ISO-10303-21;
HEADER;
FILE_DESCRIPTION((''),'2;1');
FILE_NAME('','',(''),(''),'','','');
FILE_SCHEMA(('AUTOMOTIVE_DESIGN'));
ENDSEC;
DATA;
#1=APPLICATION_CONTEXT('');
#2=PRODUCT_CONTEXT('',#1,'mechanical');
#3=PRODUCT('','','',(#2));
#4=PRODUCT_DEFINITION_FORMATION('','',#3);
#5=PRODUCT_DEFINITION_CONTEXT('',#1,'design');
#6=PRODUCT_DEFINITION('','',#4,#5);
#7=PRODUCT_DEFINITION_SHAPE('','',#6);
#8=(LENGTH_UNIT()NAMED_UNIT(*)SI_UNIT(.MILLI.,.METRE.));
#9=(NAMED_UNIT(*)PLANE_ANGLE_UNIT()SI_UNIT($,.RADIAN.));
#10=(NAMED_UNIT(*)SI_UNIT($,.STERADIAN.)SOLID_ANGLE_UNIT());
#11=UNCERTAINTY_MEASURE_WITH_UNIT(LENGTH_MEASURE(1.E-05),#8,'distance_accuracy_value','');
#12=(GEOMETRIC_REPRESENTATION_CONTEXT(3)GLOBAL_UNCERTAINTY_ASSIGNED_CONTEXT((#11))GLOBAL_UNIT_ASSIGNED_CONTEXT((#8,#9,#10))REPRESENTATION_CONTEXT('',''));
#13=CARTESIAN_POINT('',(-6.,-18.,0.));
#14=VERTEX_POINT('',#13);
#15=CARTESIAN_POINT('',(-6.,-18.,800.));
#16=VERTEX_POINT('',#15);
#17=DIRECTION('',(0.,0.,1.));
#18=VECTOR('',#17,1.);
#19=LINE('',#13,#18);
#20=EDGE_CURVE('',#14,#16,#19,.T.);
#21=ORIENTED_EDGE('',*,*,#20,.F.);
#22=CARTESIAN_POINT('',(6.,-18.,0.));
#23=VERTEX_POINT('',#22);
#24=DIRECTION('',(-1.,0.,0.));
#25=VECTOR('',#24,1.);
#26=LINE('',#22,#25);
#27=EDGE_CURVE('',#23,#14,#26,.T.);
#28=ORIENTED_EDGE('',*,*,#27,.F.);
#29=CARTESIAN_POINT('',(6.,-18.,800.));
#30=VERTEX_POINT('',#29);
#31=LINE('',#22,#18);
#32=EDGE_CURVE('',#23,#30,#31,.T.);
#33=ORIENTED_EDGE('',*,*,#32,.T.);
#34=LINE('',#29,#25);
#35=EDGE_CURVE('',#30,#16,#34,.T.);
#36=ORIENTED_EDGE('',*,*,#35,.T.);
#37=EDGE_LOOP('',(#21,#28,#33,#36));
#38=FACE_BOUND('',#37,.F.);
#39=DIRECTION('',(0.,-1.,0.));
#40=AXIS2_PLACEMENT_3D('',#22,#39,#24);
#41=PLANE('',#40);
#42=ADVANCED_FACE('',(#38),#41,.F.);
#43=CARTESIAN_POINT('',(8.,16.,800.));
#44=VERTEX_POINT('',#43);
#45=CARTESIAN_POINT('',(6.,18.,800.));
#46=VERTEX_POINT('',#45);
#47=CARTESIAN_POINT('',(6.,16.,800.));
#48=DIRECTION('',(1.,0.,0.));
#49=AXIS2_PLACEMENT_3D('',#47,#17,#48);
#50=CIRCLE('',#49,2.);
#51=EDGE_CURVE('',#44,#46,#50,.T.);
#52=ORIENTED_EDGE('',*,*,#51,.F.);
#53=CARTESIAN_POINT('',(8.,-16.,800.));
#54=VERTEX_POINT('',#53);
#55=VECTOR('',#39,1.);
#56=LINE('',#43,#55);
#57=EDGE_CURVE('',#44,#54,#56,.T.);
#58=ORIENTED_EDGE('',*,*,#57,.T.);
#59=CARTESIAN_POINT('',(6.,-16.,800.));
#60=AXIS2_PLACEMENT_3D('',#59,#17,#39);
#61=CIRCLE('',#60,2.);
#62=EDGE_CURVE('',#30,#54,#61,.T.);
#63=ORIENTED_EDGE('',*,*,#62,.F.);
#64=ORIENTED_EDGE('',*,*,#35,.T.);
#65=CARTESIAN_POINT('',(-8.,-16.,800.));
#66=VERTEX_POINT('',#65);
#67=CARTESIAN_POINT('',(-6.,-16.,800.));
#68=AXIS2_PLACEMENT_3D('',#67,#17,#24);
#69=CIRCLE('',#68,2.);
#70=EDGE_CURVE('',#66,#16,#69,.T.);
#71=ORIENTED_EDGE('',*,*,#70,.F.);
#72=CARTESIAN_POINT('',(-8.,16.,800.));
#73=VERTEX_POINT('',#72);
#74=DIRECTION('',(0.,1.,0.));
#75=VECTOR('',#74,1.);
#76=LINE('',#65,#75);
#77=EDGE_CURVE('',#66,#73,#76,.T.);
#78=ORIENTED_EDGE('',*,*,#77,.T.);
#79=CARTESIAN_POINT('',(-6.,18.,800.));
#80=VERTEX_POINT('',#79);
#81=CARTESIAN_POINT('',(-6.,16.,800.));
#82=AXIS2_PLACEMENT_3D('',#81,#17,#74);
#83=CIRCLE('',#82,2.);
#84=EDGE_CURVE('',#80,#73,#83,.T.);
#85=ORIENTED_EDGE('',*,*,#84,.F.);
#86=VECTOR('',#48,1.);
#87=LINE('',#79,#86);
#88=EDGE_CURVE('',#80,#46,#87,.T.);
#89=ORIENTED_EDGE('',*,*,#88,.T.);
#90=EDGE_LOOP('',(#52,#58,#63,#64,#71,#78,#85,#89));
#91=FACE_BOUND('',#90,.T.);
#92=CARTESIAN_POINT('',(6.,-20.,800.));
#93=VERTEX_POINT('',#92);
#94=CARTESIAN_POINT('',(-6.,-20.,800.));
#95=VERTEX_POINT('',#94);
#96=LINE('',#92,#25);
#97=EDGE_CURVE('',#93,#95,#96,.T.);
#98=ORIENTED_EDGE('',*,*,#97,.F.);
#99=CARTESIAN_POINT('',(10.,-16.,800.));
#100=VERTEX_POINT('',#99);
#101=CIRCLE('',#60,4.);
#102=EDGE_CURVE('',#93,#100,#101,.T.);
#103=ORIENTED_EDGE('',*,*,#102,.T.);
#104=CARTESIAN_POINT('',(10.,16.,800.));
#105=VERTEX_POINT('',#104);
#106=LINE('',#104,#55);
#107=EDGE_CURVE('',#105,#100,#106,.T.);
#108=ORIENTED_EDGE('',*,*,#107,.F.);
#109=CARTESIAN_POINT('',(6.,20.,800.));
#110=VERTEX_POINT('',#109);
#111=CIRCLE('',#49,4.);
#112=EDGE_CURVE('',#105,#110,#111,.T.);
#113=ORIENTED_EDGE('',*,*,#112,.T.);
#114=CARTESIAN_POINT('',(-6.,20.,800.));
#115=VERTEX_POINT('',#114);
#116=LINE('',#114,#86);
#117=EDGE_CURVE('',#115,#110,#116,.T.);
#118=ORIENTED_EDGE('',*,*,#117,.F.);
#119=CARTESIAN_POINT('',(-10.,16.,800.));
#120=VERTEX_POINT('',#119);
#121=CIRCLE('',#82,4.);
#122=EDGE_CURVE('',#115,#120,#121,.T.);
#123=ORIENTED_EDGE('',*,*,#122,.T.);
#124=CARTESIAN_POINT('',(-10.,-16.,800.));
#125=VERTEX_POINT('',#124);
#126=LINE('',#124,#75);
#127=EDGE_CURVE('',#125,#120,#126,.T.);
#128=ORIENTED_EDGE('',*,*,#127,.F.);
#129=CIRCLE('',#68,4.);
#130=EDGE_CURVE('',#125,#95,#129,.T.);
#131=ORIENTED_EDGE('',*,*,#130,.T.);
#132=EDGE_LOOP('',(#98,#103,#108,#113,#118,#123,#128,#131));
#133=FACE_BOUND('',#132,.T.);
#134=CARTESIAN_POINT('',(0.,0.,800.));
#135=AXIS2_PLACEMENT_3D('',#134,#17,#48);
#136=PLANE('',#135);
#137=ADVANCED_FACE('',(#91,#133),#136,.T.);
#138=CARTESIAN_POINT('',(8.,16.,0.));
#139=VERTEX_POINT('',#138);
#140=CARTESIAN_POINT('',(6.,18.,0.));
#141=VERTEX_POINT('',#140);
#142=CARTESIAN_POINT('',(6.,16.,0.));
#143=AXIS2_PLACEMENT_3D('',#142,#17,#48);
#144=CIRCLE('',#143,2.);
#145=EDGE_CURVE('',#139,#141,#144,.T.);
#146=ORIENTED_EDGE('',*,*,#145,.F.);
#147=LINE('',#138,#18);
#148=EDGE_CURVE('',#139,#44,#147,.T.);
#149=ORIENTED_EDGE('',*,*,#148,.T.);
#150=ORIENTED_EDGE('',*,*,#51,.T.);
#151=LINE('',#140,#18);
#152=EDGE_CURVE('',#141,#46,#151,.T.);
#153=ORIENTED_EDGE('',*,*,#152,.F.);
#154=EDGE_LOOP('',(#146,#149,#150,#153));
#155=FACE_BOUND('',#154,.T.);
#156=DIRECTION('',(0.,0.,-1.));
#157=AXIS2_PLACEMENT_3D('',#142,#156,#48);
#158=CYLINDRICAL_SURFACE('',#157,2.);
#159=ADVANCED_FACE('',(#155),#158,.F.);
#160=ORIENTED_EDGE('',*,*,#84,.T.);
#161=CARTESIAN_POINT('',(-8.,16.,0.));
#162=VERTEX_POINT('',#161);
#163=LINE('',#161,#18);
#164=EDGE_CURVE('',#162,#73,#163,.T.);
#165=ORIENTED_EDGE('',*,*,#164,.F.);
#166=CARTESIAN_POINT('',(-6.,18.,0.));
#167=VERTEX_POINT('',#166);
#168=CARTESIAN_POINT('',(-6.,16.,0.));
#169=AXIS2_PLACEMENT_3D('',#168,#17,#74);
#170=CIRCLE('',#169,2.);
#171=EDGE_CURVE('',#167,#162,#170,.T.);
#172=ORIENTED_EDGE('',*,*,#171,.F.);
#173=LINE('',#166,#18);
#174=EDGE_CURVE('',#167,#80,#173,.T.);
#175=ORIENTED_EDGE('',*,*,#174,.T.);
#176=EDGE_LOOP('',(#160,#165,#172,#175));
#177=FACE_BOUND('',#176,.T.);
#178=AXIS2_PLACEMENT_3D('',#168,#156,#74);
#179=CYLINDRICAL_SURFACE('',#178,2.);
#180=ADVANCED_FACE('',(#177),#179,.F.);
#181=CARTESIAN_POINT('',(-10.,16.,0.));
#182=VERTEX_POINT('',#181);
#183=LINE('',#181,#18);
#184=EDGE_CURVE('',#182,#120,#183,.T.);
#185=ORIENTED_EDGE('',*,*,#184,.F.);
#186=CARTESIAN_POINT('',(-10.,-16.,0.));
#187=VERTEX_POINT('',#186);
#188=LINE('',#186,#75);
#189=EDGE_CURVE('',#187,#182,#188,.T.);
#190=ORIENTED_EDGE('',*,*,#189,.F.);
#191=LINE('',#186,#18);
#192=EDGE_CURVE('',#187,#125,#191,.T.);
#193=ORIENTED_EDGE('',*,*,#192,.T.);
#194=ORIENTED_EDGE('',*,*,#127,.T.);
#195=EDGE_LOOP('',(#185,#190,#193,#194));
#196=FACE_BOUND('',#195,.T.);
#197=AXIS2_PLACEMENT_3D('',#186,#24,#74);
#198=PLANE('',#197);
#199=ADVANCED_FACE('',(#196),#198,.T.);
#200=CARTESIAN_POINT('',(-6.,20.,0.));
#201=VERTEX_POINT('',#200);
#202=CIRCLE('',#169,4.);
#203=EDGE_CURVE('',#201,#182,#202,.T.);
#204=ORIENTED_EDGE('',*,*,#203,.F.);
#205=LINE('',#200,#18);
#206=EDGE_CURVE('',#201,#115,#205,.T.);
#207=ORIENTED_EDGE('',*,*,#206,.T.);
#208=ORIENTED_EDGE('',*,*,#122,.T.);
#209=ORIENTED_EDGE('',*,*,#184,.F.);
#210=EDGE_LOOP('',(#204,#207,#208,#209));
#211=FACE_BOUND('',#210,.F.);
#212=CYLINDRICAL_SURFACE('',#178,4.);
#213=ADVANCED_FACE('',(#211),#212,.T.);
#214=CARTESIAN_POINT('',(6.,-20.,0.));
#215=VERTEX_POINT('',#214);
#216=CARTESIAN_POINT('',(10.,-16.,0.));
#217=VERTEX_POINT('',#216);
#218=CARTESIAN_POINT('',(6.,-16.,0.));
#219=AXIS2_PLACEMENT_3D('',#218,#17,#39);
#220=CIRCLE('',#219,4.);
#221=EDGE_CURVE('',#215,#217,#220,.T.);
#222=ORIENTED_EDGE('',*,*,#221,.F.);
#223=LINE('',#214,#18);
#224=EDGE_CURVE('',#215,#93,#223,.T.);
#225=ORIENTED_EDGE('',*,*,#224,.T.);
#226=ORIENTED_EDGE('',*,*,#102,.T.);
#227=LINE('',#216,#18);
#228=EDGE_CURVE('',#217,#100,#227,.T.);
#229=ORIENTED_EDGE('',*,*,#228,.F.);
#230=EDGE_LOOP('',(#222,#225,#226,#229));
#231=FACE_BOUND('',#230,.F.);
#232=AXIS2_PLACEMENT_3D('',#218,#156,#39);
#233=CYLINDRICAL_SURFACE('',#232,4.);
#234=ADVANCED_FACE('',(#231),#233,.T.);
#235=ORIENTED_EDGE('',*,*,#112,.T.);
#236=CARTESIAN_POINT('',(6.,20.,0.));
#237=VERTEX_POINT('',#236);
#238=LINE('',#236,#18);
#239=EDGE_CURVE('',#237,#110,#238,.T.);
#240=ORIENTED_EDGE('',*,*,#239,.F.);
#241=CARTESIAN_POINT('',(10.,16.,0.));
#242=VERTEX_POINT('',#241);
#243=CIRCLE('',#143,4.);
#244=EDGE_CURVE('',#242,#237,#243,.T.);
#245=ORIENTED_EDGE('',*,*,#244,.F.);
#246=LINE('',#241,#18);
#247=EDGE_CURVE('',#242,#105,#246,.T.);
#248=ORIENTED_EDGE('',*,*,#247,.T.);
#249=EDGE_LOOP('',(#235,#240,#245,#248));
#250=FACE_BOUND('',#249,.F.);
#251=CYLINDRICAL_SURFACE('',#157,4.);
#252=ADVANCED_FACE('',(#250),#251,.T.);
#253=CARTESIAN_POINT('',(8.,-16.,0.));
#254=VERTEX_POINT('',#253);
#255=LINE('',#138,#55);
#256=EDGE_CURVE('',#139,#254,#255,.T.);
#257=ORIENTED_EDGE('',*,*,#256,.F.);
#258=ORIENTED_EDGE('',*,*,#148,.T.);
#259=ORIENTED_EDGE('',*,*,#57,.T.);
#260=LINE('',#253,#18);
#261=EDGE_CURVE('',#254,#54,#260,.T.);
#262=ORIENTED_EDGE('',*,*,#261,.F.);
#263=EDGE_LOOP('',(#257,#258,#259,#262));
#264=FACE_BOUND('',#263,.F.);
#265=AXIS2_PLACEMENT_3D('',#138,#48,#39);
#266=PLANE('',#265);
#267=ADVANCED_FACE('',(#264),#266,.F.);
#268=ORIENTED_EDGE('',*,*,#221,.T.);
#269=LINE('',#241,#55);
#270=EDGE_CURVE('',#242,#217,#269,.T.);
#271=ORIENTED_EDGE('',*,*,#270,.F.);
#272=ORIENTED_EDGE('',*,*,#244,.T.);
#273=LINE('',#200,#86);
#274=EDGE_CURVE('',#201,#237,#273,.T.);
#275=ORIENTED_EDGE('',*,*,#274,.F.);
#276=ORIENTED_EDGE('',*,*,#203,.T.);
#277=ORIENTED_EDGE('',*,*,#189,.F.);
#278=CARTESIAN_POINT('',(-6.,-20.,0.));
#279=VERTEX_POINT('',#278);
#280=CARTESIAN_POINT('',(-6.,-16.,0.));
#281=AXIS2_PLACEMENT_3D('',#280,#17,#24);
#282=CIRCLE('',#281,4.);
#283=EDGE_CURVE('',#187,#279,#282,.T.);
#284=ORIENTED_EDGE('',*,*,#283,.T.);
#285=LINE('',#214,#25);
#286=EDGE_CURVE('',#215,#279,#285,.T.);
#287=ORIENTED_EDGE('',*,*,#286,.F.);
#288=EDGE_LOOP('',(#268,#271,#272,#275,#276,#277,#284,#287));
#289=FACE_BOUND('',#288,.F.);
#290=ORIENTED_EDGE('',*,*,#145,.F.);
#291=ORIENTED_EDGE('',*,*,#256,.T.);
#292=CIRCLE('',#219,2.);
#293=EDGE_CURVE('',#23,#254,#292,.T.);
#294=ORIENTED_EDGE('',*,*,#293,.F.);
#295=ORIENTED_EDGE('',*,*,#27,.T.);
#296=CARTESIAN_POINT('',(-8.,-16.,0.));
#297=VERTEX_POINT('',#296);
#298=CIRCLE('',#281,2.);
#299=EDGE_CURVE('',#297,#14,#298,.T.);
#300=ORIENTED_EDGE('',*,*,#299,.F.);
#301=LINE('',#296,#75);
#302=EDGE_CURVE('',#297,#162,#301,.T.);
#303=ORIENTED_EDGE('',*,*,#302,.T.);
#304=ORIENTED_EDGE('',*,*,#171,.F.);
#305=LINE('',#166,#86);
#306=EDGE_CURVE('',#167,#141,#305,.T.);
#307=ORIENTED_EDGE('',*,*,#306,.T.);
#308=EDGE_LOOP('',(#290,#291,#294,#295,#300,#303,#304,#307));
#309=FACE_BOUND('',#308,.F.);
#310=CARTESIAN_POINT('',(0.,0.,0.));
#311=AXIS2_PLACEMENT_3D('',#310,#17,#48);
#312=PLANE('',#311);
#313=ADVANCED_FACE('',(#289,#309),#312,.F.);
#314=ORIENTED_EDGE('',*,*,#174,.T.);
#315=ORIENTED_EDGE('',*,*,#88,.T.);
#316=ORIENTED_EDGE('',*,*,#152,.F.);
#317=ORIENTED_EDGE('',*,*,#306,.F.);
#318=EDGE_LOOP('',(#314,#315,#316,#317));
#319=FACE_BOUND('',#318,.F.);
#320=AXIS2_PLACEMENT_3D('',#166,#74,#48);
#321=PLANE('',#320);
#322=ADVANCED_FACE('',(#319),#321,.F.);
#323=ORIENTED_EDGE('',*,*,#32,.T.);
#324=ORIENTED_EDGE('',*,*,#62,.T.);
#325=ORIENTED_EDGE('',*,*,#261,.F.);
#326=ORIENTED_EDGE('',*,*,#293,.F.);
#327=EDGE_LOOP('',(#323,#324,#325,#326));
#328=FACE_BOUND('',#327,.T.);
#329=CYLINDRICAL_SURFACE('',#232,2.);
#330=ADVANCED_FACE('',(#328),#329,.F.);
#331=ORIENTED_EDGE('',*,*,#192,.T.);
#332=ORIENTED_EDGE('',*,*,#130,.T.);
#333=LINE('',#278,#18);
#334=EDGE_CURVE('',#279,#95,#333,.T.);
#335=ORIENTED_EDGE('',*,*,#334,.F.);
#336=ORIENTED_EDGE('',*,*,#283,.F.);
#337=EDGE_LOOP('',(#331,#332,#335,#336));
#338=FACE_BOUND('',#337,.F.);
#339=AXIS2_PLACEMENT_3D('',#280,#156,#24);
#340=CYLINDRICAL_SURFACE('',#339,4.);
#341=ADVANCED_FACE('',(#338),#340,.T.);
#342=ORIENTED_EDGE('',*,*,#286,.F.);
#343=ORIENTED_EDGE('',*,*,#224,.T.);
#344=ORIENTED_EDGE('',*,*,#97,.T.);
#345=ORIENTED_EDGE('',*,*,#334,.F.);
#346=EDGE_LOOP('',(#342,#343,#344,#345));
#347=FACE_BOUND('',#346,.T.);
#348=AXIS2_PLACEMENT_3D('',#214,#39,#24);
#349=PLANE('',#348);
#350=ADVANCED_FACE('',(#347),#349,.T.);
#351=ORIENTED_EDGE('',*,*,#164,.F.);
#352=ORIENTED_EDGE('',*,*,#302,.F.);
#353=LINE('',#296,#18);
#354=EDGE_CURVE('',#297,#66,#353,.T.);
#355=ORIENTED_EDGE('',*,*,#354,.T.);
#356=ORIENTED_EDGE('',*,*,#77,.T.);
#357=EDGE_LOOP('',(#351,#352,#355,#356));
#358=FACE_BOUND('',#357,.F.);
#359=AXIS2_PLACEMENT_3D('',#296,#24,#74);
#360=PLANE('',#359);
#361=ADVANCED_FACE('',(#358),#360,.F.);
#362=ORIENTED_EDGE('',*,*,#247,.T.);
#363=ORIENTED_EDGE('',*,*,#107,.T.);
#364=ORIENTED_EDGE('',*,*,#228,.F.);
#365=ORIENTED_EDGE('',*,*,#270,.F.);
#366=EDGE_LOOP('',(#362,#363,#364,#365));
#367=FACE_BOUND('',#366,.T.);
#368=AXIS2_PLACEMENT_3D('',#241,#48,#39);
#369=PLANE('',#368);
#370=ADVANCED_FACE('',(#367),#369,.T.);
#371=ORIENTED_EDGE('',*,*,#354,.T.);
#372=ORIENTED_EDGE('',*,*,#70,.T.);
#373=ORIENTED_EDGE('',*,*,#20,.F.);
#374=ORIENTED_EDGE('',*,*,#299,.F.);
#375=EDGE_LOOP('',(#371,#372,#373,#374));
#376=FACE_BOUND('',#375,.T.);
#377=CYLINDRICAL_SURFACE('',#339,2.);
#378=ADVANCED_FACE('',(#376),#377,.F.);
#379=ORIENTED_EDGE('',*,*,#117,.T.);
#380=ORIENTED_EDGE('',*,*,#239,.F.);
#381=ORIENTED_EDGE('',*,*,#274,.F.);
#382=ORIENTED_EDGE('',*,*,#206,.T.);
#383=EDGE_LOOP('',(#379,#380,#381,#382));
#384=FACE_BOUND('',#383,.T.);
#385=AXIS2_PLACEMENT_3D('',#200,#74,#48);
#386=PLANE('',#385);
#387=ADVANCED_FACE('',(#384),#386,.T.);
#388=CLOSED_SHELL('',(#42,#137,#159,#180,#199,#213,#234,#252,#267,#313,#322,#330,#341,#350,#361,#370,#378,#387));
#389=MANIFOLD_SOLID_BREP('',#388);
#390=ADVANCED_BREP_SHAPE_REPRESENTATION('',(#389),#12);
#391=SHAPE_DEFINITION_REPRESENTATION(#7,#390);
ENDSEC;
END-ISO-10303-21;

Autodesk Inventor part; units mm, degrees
ref_plane "YZ Plane" through (0, 0, 0) normal (1, 0, 0) x (0, 1, 0)
ref_plane "Start Plane" through (0, 0, 0) normal (0, 0, 1) x (1, 0, 0)
ref_plane "End Plane" through (0, 0, 800) normal (0, 0, 1) x (1, 0, 0)
sketch "Sketch" plane through (0, 0, 0) normal (0, 0, 1) x (1, 0, 0)
  line L0 (-10, -16) -> (-10, 16)
  line L1 (-6, 20) -> (6, 20)
  line L2 (10, 16) -> (10, -16)
  line L3 (6, -20) -> (-6, -20)
  arc A0 (-10, -16) -> (-6, -20) centre (-6, -16) ccw
  arc A1 (10, 16) -> (6, 20) centre (6, 16) ccw
  arc A2 (-6, 20) -> (-10, 16) centre (-6, 16) ccw
  arc A3 (6, -20) -> (10, -16) centre (6, -16) ccw
  arc A4 (-6, 18) -> (-8, 16) centre (-6, 16) ccw
  line L4 (-6, 18) -> (6, 18)
  arc A5 (8, 16) -> (6, 18) centre (6, 16) ccw
  line L5 (8, 16) -> (8, -16)
  arc A6 (6, -18) -> (8, -16) centre (6, -16) ccw
  line L6 (6, -18) -> (-6, -18)
  arc A7 (-8, -16) -> (-6, -18) centre (-6, -16) ccw
  line L7 (-8, -16) -> (-8, 16)
  line L8 (0, 29.1598) -> (0, -29.1598) construction
  line L9 (-15.1598, 0) -> (15.1598, 0) construction
  dimension "d7" = 4
  dimension "d9" = 20
  dimension "d11" = 40
  dimension "d12" = 2
  dimension "d15" = 10
  dimension "d16" = 20
extrude "Body" add sketch "Sketch" along normal up to surface (800 mm away) from surface at 0
sketch "Sketch3" plane through (0, 0, 0) normal (0, 0, 1) x (1, 0, 0)
  line L0 (0, 0) -> (10, 0)
ref_plane "Work Plane3" through (0, 0, 0) normal (0, -1, 0) x (1, 0, 0)
sketch "Sketch4" plane through (0, 0, 0) normal (0, -1, 0) x (1, 0, 0)
  line L0 (-2, 0) -> (12, 0)
  line L1 (-2, 800) -> (12, 800)
  dimension "d18" = 800
equation "\"d7\" = G_IR"
equation "\"d9\" = G_W"
equation "\"d11\" = G_H"
equation "\"d12\" = G_T"
equation "\"d15\" = 0.5 * d9"
equation "\"d16\" = 0.5 * d11"
equation "\"d3\" = G_L"
equation "\"G_W\" = 20"
equation "\"G_H\" = 40"
equation "\"G_T\" = 2"
equation "\"G_IR\" = 4"
equation "\"G_L\" = d18"
equation "\"G_OFFSET_START\" = 0"
equation "\"G_OFFSET_END\" = 0"
properties part number "ISO 10799-2 - 40x20x2 - 800" material "Steel, Mild"
